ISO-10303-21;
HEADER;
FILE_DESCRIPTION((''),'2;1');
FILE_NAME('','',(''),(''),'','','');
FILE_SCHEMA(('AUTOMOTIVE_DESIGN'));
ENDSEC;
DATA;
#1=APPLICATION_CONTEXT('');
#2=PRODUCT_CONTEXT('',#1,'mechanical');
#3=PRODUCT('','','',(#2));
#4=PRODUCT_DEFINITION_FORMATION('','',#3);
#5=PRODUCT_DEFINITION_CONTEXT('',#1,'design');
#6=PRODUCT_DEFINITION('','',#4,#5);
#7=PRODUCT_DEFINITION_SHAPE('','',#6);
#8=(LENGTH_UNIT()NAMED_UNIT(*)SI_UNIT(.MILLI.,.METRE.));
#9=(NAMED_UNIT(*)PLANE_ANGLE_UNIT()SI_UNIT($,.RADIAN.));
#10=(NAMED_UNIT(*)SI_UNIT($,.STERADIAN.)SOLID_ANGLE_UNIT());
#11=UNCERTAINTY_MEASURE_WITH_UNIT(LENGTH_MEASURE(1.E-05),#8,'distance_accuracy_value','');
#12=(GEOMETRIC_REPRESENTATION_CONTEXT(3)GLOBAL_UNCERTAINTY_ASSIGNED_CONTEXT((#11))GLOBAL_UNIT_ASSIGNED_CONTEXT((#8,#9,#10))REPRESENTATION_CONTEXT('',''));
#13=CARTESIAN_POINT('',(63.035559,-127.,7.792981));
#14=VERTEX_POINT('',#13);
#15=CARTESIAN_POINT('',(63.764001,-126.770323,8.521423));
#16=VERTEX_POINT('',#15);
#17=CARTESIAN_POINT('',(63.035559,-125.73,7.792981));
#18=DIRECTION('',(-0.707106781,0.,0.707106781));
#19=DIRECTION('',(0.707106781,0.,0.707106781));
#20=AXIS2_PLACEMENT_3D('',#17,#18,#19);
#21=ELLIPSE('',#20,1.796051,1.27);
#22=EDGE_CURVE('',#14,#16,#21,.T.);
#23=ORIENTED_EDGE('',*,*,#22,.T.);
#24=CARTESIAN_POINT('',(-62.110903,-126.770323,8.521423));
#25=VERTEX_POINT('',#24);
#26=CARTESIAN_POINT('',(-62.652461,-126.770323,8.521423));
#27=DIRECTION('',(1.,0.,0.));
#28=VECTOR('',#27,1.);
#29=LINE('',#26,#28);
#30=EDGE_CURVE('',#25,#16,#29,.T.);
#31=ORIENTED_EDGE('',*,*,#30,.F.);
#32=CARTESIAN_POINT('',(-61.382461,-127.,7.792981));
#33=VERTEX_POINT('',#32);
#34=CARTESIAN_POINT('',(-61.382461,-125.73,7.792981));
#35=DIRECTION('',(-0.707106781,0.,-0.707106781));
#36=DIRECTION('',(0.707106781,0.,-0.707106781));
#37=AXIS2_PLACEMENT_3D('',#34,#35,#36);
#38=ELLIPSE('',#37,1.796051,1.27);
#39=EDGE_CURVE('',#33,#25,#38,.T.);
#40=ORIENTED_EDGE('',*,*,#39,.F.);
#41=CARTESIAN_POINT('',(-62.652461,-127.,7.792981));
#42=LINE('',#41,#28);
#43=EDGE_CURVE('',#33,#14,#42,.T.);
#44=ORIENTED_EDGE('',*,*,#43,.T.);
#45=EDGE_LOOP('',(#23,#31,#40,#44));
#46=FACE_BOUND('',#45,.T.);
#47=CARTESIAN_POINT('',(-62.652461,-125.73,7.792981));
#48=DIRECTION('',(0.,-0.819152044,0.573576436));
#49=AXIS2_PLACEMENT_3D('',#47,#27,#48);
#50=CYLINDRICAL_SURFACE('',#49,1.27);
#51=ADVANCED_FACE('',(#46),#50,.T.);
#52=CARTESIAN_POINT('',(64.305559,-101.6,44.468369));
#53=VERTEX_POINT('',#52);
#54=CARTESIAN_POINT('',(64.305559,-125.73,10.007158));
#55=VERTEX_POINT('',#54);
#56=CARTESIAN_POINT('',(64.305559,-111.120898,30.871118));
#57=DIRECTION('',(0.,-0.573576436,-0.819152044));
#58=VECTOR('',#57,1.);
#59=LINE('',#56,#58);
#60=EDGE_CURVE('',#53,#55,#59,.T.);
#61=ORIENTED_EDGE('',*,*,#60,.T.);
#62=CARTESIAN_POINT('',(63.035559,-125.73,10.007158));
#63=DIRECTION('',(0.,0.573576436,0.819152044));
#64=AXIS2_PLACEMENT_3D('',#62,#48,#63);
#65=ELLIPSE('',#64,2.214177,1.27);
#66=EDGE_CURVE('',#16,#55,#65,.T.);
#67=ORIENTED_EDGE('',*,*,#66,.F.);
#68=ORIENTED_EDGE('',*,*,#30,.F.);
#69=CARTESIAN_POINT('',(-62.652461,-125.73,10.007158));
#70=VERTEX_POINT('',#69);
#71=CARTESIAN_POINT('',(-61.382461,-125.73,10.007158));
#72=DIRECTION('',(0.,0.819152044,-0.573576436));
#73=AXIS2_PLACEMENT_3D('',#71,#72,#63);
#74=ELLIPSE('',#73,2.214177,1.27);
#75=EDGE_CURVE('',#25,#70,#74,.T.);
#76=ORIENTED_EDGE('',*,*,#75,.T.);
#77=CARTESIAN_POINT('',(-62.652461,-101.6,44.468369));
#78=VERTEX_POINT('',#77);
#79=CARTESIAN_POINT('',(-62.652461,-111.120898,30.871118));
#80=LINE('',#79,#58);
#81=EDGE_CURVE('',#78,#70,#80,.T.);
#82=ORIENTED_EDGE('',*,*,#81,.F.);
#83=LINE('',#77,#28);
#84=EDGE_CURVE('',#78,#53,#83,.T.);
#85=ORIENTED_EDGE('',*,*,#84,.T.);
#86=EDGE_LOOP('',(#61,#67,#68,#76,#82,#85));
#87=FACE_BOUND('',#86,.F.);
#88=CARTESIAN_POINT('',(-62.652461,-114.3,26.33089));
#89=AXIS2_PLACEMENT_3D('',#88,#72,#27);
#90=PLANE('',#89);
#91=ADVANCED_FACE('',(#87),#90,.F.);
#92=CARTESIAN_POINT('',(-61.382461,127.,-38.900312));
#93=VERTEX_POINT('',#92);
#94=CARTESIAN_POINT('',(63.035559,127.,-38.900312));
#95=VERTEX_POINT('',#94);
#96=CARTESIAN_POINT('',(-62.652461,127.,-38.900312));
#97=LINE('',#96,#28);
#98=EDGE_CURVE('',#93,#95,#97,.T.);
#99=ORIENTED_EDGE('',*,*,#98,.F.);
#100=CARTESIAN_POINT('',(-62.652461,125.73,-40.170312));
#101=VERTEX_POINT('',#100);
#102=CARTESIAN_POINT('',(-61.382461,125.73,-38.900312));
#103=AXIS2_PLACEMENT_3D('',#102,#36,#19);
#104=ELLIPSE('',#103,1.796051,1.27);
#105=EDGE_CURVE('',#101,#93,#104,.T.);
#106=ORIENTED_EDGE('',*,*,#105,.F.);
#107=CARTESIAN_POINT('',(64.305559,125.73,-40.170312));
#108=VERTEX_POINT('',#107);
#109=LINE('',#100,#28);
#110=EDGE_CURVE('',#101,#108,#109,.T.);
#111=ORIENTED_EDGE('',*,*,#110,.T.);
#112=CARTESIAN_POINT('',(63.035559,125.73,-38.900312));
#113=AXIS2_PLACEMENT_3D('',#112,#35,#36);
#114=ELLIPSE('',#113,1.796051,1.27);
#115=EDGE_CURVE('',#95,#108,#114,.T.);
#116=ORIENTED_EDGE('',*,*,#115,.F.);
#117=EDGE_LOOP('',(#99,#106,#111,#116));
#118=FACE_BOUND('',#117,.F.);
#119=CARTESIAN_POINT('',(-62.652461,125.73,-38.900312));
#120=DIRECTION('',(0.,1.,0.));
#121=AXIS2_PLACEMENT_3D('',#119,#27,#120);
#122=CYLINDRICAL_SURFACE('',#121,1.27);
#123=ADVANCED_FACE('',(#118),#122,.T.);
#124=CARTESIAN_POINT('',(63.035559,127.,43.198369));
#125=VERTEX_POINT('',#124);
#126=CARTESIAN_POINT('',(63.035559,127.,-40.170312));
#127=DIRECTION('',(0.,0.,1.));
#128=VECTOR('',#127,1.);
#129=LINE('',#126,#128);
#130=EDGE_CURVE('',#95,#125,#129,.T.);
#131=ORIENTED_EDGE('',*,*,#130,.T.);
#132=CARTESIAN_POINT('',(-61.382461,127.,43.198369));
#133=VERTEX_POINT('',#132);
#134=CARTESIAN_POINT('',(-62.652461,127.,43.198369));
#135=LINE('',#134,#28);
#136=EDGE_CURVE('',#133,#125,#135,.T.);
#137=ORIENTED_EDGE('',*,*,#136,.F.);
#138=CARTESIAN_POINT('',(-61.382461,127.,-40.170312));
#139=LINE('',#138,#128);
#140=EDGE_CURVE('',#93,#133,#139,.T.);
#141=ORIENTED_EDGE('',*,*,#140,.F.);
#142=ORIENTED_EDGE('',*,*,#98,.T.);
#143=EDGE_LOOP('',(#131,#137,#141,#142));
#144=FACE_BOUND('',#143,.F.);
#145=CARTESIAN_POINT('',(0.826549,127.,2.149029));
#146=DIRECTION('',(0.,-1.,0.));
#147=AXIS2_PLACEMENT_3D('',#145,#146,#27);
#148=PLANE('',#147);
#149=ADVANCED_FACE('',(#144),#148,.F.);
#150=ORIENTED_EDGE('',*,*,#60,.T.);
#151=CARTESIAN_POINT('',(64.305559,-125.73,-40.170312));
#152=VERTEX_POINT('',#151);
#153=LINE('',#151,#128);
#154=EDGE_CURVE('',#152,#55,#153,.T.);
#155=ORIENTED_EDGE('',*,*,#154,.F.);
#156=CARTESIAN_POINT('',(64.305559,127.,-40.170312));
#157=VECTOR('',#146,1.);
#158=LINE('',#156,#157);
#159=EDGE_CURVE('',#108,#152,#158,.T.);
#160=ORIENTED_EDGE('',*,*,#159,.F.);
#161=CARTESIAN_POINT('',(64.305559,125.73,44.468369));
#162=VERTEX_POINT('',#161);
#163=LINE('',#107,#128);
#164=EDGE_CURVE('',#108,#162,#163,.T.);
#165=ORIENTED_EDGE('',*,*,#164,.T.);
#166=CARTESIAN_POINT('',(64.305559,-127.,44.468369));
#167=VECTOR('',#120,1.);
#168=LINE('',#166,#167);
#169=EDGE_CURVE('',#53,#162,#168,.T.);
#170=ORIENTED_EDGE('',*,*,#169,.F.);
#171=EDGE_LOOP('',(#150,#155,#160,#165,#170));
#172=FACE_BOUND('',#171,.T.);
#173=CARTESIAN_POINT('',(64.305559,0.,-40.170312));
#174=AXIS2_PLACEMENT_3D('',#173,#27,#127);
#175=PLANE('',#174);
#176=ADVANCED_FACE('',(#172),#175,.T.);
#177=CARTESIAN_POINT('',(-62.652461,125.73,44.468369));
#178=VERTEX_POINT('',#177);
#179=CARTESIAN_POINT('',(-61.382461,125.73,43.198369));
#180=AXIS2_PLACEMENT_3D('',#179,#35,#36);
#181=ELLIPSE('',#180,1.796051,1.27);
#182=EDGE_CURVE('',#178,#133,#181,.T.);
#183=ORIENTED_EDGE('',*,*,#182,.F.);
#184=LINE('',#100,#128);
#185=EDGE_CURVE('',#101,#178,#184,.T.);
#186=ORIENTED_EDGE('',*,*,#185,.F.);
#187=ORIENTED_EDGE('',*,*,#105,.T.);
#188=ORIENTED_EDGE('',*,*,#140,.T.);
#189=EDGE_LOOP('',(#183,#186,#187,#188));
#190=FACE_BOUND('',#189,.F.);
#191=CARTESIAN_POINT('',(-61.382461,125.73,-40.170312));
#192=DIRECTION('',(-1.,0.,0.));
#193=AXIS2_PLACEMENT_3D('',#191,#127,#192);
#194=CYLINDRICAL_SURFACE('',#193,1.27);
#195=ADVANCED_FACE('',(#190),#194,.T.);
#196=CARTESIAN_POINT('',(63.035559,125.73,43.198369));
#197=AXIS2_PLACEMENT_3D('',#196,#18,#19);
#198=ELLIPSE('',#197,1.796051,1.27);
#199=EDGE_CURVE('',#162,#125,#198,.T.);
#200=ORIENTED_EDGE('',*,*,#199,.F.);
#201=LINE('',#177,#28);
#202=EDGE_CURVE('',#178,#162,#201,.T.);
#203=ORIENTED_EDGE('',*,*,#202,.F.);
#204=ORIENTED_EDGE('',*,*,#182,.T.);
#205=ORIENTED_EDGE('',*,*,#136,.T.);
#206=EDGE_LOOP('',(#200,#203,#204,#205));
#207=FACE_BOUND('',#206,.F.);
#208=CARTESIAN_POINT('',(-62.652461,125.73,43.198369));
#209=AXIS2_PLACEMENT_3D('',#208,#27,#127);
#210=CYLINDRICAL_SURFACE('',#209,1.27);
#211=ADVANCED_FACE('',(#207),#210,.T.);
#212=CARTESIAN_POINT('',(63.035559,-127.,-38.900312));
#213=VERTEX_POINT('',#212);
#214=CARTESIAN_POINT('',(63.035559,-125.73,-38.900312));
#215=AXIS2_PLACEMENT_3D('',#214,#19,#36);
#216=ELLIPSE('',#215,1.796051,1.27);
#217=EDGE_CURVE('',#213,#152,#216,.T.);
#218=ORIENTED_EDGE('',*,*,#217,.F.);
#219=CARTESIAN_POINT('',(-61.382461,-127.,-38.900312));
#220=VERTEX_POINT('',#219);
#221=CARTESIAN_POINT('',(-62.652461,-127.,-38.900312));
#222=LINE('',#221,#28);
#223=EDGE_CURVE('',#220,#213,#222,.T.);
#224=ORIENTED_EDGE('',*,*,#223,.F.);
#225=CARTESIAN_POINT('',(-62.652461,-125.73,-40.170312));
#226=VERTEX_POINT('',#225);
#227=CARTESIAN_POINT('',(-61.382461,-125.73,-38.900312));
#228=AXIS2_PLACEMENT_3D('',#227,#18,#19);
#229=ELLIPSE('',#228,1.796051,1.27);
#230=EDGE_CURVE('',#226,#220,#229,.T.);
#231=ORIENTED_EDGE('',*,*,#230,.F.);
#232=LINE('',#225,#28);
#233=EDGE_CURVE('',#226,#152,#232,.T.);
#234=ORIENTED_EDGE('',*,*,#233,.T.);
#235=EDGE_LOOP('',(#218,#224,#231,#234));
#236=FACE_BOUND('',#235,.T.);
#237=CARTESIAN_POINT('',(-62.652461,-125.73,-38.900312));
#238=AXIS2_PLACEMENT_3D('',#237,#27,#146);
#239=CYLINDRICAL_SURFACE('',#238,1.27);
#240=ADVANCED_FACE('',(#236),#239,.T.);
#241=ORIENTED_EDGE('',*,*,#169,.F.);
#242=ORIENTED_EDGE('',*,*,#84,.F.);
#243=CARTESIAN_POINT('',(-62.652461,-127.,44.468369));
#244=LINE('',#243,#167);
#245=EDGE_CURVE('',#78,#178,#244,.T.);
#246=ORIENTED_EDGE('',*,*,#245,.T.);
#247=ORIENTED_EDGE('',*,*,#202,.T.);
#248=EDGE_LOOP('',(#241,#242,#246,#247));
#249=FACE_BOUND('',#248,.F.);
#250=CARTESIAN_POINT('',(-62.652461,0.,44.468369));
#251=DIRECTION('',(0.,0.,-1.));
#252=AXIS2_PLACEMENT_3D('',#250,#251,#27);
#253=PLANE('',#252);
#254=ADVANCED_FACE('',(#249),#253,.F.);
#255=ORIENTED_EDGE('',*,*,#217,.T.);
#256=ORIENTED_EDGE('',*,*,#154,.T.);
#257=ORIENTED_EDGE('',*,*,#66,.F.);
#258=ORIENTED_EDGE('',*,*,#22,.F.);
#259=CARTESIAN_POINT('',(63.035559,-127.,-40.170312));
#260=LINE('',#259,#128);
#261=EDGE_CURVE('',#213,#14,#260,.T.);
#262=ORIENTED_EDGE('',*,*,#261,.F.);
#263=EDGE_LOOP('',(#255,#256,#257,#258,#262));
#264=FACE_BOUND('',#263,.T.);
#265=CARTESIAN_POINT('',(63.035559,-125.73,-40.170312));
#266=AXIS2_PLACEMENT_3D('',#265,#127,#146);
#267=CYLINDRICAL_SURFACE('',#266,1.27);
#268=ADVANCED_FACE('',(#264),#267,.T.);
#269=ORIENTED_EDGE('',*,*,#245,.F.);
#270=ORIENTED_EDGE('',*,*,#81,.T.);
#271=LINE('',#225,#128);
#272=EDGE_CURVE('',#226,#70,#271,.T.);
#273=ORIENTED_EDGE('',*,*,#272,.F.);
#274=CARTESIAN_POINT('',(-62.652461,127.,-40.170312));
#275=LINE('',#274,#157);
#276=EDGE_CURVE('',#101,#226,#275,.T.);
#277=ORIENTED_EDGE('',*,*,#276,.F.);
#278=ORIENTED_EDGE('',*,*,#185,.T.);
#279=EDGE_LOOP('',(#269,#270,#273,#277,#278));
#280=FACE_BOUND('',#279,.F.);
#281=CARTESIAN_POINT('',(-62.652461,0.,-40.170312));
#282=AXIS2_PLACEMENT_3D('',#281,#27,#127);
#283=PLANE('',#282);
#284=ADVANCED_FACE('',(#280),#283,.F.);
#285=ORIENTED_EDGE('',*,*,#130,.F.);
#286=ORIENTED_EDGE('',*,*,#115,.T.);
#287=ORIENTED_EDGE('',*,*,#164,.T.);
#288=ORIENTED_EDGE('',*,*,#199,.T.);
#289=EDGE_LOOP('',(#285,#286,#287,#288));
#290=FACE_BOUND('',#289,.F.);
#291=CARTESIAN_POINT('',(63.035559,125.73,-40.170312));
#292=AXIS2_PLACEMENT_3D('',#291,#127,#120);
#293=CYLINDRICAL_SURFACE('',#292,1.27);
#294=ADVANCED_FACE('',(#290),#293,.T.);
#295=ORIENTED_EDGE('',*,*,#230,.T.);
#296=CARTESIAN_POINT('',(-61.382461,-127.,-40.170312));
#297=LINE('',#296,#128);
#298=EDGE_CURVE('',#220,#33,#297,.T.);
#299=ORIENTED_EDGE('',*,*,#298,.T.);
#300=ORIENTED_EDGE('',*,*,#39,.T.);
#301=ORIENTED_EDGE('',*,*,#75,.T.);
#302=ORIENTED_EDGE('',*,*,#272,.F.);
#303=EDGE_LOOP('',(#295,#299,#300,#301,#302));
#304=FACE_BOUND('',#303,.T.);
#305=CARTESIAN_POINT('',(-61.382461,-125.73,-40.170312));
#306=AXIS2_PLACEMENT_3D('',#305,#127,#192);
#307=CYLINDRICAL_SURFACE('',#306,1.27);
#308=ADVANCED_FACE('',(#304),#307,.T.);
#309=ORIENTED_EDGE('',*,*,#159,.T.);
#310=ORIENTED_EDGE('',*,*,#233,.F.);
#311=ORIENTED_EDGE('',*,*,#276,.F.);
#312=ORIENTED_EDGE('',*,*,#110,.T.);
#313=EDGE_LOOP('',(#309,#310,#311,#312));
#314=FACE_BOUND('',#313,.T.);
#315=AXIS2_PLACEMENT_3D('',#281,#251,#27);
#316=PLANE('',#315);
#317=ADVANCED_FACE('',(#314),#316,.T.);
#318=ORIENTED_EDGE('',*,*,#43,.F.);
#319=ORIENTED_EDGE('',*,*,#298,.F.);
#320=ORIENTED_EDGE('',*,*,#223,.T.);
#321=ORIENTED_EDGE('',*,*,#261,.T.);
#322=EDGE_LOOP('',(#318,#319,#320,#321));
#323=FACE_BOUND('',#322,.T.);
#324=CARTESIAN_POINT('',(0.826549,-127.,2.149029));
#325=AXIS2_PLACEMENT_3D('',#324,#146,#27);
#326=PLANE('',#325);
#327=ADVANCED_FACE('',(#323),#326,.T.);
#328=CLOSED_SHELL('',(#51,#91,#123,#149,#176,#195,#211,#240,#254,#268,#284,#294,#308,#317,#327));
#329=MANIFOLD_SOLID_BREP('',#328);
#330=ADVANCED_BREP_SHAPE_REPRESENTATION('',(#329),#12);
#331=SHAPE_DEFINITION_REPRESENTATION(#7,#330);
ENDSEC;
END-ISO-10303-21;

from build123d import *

# Parameters (mm, degrees)
F0_W     = 126.9580200315
F0_H     = 84.6386812627
F1_DEPTH = 127
F2_SIZE2 = 36.2749593712
F2_SIZE  = 25.4
F3_R     = 1.27


with BuildPart() as f1:
    # F0 (on Front) → F1 (new body, symmetric)
    with BuildSketch(Plane.XZ):
        with Locations((0.826548785, 2.1490287036)):
            Rectangle(F0_W, F0_H)
    extrude(amount=F1_DEPTH, both=True)

    # F2
    f2_edges = [f1.edges().sort_by_distance(p)[0] for p in [
        (0.826549, -127, 44.468369),
    ]]
    f2_side = f1.faces().sort_by_distance((0.826549, 0, 44.468369))[0]
    chamfer(f2_edges, length=F2_SIZE, length2=F2_SIZE2, reference=f2_side)

    # F3
    f3_edges = [f1.edges().sort_by_distance(p)[0] for p in [
        (0.826549, 127, 44.468369),
        (-62.652461, 127, 2.149029),
        (0.826549, 127, -40.170312),
        (64.305559, 127, 2.149029),
        (-62.652461, -127, -15.988451),
        (0.826549, -127, 8.19341),
        (0.826549, -127, -40.170312),
        (64.305559, -127, -15.988451),
    ]]
    fillet(f3_edges, radius=F3_R)


solid = f1.part
